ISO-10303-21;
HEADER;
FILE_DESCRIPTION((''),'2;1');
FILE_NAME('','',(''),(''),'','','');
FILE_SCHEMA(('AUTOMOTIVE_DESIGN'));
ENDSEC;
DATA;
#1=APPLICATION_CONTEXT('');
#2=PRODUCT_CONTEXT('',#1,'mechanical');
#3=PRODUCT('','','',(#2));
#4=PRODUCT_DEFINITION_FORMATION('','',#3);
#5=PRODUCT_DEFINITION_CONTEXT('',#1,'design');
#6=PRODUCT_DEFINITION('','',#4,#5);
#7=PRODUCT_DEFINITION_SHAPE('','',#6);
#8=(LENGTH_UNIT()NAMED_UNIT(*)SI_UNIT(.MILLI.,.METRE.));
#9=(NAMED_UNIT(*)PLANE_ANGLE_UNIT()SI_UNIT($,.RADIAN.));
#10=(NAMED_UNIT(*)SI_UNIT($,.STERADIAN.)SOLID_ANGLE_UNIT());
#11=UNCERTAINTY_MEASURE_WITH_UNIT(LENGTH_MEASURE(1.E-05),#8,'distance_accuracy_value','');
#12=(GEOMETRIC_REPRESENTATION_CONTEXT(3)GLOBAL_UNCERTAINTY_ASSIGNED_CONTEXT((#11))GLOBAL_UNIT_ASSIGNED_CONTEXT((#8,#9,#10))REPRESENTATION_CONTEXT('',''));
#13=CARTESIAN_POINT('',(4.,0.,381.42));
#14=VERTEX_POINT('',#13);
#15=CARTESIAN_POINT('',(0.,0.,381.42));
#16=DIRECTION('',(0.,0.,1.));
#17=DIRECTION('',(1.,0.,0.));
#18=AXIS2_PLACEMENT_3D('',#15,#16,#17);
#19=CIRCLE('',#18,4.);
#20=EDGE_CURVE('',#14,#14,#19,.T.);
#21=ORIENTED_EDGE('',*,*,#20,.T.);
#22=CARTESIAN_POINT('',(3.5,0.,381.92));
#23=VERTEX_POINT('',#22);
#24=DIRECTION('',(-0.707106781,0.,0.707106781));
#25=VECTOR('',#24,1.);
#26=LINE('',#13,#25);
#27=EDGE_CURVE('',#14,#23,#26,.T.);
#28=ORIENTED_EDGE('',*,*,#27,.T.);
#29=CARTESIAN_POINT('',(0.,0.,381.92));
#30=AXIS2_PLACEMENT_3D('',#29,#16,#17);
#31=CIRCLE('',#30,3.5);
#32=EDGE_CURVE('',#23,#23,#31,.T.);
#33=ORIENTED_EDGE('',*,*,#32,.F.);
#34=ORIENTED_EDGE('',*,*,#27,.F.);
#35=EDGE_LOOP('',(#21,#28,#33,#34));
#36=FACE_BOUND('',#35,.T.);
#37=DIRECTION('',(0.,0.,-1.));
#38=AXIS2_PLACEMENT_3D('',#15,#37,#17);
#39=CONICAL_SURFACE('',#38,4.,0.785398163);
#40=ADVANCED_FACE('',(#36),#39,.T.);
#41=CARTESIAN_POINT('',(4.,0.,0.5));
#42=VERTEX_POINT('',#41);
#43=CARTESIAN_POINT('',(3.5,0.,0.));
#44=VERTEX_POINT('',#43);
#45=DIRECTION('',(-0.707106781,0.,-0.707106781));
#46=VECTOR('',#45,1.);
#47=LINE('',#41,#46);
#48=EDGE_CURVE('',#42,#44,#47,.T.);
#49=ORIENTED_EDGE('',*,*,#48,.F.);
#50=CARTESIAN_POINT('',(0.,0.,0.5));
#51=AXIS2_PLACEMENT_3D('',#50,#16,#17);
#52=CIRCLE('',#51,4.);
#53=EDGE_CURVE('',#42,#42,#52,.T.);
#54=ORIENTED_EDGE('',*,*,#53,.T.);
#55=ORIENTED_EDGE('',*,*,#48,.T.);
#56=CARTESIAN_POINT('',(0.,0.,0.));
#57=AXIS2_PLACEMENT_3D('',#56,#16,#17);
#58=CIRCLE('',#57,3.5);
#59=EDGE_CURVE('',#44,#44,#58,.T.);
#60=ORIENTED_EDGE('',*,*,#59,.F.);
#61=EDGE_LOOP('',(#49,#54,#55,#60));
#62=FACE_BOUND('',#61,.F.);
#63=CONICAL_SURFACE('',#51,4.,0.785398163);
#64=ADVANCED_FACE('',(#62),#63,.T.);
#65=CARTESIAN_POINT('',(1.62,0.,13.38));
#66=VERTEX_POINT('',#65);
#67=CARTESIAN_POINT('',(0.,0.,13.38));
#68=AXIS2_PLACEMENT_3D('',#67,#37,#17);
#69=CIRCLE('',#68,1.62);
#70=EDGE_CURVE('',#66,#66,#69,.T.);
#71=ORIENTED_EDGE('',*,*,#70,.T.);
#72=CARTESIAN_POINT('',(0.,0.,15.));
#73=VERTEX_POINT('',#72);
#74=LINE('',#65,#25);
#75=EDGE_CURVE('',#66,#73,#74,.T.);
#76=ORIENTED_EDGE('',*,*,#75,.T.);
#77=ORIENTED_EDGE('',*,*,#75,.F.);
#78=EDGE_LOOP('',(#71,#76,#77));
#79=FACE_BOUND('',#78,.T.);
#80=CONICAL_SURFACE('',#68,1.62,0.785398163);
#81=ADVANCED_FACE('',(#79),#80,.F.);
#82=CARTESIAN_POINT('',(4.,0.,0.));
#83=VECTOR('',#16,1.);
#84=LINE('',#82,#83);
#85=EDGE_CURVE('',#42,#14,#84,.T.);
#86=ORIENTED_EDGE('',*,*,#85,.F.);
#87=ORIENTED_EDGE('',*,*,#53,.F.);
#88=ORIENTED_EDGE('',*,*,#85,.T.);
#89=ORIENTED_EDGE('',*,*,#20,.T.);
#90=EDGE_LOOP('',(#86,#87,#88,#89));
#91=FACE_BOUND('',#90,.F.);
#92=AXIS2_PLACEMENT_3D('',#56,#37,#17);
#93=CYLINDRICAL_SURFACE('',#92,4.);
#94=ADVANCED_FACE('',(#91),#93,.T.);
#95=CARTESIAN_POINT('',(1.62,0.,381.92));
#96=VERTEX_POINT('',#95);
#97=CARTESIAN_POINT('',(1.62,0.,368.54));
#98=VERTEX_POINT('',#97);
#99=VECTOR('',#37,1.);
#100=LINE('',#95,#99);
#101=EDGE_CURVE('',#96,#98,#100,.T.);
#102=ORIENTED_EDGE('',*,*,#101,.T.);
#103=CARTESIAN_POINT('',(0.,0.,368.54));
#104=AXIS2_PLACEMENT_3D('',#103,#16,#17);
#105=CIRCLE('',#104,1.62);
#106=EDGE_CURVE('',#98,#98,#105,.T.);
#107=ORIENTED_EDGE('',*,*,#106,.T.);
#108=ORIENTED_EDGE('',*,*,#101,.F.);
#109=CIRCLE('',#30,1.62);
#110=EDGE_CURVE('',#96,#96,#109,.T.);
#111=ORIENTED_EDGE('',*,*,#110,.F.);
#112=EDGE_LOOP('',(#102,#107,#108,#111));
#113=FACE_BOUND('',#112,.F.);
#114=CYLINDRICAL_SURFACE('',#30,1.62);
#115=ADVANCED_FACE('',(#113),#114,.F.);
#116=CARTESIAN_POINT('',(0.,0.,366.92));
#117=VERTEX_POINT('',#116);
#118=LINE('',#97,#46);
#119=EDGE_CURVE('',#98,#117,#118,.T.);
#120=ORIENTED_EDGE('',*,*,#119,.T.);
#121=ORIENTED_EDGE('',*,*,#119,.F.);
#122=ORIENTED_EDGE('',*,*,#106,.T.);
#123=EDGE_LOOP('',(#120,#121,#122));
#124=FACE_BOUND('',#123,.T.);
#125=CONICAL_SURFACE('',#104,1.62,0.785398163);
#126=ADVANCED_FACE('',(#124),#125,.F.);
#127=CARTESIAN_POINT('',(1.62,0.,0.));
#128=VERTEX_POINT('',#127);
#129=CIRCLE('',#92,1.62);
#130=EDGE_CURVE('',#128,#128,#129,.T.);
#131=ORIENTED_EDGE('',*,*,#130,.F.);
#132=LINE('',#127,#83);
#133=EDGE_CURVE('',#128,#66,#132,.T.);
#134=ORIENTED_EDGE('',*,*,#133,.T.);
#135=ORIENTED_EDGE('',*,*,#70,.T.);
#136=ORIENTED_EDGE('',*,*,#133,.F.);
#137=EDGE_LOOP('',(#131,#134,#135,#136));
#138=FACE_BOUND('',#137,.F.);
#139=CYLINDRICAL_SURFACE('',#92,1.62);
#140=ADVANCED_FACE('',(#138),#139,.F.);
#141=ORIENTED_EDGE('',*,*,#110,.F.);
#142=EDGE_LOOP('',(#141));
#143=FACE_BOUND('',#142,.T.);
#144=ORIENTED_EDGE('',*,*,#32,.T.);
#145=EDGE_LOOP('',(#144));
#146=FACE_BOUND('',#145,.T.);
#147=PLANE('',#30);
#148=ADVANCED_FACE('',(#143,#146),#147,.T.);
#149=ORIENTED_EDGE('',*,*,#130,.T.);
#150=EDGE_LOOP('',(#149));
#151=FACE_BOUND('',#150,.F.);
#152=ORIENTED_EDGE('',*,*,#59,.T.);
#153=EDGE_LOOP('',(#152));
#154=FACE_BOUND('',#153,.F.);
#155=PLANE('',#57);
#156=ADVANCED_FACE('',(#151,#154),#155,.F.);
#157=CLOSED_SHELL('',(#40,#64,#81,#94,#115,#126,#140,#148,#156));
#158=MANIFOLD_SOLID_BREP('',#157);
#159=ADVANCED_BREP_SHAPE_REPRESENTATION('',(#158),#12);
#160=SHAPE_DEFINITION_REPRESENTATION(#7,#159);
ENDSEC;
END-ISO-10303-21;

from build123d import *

# Parameters (mm, degrees)
SKETCH_R        = 4
PAD_DEPTH       = 381.92
CHAMFER_SIZE    = 0.5
SKETCH001_R     = 1.62
POCKET_DEPTH    = 15
SKETCH002_R     = 1.62
POCKET001_DEPTH = 15
CHAMFER001_SIZE = 1.62


with BuildPart() as part:
    # Sketch → Pad (new body)
    with BuildSketch(Plane.XY):
        Circle(SKETCH_R)
    extrude(amount=PAD_DEPTH)

    # Chamfer
    chamfer_edges = [part.edges().sort_by_distance(p)[0] for p in [
        (-4, 0, 0),
        (-4, 0, 381.92),
    ]]
    chamfer(chamfer_edges, length=CHAMFER_SIZE)

    # Sketch001 → Pocket (cut)
    with BuildSketch(Plane.XY.offset(381.92)):
        Circle(SKETCH001_R)
    extrude(amount=-POCKET_DEPTH, mode=Mode.SUBTRACT)

    # Sketch002 → Pocket001 (cut)
    with BuildSketch(Plane(origin=(0, 0, 0), x_dir=(1, 0, 0), z_dir=(0, 0, -1))):
        Circle(SKETCH002_R)
    extrude(amount=-POCKET001_DEPTH, mode=Mode.SUBTRACT)

    # Chamfer001
    chamfer001_edges = [part.edges().sort_by_distance(p)[0] for p in [
        (-1.62, 0, 15),
        (-1.62, 0, 366.92),
    ]]
    chamfer(chamfer001_edges, length=CHAMFER001_SIZE)


solid = part.part
